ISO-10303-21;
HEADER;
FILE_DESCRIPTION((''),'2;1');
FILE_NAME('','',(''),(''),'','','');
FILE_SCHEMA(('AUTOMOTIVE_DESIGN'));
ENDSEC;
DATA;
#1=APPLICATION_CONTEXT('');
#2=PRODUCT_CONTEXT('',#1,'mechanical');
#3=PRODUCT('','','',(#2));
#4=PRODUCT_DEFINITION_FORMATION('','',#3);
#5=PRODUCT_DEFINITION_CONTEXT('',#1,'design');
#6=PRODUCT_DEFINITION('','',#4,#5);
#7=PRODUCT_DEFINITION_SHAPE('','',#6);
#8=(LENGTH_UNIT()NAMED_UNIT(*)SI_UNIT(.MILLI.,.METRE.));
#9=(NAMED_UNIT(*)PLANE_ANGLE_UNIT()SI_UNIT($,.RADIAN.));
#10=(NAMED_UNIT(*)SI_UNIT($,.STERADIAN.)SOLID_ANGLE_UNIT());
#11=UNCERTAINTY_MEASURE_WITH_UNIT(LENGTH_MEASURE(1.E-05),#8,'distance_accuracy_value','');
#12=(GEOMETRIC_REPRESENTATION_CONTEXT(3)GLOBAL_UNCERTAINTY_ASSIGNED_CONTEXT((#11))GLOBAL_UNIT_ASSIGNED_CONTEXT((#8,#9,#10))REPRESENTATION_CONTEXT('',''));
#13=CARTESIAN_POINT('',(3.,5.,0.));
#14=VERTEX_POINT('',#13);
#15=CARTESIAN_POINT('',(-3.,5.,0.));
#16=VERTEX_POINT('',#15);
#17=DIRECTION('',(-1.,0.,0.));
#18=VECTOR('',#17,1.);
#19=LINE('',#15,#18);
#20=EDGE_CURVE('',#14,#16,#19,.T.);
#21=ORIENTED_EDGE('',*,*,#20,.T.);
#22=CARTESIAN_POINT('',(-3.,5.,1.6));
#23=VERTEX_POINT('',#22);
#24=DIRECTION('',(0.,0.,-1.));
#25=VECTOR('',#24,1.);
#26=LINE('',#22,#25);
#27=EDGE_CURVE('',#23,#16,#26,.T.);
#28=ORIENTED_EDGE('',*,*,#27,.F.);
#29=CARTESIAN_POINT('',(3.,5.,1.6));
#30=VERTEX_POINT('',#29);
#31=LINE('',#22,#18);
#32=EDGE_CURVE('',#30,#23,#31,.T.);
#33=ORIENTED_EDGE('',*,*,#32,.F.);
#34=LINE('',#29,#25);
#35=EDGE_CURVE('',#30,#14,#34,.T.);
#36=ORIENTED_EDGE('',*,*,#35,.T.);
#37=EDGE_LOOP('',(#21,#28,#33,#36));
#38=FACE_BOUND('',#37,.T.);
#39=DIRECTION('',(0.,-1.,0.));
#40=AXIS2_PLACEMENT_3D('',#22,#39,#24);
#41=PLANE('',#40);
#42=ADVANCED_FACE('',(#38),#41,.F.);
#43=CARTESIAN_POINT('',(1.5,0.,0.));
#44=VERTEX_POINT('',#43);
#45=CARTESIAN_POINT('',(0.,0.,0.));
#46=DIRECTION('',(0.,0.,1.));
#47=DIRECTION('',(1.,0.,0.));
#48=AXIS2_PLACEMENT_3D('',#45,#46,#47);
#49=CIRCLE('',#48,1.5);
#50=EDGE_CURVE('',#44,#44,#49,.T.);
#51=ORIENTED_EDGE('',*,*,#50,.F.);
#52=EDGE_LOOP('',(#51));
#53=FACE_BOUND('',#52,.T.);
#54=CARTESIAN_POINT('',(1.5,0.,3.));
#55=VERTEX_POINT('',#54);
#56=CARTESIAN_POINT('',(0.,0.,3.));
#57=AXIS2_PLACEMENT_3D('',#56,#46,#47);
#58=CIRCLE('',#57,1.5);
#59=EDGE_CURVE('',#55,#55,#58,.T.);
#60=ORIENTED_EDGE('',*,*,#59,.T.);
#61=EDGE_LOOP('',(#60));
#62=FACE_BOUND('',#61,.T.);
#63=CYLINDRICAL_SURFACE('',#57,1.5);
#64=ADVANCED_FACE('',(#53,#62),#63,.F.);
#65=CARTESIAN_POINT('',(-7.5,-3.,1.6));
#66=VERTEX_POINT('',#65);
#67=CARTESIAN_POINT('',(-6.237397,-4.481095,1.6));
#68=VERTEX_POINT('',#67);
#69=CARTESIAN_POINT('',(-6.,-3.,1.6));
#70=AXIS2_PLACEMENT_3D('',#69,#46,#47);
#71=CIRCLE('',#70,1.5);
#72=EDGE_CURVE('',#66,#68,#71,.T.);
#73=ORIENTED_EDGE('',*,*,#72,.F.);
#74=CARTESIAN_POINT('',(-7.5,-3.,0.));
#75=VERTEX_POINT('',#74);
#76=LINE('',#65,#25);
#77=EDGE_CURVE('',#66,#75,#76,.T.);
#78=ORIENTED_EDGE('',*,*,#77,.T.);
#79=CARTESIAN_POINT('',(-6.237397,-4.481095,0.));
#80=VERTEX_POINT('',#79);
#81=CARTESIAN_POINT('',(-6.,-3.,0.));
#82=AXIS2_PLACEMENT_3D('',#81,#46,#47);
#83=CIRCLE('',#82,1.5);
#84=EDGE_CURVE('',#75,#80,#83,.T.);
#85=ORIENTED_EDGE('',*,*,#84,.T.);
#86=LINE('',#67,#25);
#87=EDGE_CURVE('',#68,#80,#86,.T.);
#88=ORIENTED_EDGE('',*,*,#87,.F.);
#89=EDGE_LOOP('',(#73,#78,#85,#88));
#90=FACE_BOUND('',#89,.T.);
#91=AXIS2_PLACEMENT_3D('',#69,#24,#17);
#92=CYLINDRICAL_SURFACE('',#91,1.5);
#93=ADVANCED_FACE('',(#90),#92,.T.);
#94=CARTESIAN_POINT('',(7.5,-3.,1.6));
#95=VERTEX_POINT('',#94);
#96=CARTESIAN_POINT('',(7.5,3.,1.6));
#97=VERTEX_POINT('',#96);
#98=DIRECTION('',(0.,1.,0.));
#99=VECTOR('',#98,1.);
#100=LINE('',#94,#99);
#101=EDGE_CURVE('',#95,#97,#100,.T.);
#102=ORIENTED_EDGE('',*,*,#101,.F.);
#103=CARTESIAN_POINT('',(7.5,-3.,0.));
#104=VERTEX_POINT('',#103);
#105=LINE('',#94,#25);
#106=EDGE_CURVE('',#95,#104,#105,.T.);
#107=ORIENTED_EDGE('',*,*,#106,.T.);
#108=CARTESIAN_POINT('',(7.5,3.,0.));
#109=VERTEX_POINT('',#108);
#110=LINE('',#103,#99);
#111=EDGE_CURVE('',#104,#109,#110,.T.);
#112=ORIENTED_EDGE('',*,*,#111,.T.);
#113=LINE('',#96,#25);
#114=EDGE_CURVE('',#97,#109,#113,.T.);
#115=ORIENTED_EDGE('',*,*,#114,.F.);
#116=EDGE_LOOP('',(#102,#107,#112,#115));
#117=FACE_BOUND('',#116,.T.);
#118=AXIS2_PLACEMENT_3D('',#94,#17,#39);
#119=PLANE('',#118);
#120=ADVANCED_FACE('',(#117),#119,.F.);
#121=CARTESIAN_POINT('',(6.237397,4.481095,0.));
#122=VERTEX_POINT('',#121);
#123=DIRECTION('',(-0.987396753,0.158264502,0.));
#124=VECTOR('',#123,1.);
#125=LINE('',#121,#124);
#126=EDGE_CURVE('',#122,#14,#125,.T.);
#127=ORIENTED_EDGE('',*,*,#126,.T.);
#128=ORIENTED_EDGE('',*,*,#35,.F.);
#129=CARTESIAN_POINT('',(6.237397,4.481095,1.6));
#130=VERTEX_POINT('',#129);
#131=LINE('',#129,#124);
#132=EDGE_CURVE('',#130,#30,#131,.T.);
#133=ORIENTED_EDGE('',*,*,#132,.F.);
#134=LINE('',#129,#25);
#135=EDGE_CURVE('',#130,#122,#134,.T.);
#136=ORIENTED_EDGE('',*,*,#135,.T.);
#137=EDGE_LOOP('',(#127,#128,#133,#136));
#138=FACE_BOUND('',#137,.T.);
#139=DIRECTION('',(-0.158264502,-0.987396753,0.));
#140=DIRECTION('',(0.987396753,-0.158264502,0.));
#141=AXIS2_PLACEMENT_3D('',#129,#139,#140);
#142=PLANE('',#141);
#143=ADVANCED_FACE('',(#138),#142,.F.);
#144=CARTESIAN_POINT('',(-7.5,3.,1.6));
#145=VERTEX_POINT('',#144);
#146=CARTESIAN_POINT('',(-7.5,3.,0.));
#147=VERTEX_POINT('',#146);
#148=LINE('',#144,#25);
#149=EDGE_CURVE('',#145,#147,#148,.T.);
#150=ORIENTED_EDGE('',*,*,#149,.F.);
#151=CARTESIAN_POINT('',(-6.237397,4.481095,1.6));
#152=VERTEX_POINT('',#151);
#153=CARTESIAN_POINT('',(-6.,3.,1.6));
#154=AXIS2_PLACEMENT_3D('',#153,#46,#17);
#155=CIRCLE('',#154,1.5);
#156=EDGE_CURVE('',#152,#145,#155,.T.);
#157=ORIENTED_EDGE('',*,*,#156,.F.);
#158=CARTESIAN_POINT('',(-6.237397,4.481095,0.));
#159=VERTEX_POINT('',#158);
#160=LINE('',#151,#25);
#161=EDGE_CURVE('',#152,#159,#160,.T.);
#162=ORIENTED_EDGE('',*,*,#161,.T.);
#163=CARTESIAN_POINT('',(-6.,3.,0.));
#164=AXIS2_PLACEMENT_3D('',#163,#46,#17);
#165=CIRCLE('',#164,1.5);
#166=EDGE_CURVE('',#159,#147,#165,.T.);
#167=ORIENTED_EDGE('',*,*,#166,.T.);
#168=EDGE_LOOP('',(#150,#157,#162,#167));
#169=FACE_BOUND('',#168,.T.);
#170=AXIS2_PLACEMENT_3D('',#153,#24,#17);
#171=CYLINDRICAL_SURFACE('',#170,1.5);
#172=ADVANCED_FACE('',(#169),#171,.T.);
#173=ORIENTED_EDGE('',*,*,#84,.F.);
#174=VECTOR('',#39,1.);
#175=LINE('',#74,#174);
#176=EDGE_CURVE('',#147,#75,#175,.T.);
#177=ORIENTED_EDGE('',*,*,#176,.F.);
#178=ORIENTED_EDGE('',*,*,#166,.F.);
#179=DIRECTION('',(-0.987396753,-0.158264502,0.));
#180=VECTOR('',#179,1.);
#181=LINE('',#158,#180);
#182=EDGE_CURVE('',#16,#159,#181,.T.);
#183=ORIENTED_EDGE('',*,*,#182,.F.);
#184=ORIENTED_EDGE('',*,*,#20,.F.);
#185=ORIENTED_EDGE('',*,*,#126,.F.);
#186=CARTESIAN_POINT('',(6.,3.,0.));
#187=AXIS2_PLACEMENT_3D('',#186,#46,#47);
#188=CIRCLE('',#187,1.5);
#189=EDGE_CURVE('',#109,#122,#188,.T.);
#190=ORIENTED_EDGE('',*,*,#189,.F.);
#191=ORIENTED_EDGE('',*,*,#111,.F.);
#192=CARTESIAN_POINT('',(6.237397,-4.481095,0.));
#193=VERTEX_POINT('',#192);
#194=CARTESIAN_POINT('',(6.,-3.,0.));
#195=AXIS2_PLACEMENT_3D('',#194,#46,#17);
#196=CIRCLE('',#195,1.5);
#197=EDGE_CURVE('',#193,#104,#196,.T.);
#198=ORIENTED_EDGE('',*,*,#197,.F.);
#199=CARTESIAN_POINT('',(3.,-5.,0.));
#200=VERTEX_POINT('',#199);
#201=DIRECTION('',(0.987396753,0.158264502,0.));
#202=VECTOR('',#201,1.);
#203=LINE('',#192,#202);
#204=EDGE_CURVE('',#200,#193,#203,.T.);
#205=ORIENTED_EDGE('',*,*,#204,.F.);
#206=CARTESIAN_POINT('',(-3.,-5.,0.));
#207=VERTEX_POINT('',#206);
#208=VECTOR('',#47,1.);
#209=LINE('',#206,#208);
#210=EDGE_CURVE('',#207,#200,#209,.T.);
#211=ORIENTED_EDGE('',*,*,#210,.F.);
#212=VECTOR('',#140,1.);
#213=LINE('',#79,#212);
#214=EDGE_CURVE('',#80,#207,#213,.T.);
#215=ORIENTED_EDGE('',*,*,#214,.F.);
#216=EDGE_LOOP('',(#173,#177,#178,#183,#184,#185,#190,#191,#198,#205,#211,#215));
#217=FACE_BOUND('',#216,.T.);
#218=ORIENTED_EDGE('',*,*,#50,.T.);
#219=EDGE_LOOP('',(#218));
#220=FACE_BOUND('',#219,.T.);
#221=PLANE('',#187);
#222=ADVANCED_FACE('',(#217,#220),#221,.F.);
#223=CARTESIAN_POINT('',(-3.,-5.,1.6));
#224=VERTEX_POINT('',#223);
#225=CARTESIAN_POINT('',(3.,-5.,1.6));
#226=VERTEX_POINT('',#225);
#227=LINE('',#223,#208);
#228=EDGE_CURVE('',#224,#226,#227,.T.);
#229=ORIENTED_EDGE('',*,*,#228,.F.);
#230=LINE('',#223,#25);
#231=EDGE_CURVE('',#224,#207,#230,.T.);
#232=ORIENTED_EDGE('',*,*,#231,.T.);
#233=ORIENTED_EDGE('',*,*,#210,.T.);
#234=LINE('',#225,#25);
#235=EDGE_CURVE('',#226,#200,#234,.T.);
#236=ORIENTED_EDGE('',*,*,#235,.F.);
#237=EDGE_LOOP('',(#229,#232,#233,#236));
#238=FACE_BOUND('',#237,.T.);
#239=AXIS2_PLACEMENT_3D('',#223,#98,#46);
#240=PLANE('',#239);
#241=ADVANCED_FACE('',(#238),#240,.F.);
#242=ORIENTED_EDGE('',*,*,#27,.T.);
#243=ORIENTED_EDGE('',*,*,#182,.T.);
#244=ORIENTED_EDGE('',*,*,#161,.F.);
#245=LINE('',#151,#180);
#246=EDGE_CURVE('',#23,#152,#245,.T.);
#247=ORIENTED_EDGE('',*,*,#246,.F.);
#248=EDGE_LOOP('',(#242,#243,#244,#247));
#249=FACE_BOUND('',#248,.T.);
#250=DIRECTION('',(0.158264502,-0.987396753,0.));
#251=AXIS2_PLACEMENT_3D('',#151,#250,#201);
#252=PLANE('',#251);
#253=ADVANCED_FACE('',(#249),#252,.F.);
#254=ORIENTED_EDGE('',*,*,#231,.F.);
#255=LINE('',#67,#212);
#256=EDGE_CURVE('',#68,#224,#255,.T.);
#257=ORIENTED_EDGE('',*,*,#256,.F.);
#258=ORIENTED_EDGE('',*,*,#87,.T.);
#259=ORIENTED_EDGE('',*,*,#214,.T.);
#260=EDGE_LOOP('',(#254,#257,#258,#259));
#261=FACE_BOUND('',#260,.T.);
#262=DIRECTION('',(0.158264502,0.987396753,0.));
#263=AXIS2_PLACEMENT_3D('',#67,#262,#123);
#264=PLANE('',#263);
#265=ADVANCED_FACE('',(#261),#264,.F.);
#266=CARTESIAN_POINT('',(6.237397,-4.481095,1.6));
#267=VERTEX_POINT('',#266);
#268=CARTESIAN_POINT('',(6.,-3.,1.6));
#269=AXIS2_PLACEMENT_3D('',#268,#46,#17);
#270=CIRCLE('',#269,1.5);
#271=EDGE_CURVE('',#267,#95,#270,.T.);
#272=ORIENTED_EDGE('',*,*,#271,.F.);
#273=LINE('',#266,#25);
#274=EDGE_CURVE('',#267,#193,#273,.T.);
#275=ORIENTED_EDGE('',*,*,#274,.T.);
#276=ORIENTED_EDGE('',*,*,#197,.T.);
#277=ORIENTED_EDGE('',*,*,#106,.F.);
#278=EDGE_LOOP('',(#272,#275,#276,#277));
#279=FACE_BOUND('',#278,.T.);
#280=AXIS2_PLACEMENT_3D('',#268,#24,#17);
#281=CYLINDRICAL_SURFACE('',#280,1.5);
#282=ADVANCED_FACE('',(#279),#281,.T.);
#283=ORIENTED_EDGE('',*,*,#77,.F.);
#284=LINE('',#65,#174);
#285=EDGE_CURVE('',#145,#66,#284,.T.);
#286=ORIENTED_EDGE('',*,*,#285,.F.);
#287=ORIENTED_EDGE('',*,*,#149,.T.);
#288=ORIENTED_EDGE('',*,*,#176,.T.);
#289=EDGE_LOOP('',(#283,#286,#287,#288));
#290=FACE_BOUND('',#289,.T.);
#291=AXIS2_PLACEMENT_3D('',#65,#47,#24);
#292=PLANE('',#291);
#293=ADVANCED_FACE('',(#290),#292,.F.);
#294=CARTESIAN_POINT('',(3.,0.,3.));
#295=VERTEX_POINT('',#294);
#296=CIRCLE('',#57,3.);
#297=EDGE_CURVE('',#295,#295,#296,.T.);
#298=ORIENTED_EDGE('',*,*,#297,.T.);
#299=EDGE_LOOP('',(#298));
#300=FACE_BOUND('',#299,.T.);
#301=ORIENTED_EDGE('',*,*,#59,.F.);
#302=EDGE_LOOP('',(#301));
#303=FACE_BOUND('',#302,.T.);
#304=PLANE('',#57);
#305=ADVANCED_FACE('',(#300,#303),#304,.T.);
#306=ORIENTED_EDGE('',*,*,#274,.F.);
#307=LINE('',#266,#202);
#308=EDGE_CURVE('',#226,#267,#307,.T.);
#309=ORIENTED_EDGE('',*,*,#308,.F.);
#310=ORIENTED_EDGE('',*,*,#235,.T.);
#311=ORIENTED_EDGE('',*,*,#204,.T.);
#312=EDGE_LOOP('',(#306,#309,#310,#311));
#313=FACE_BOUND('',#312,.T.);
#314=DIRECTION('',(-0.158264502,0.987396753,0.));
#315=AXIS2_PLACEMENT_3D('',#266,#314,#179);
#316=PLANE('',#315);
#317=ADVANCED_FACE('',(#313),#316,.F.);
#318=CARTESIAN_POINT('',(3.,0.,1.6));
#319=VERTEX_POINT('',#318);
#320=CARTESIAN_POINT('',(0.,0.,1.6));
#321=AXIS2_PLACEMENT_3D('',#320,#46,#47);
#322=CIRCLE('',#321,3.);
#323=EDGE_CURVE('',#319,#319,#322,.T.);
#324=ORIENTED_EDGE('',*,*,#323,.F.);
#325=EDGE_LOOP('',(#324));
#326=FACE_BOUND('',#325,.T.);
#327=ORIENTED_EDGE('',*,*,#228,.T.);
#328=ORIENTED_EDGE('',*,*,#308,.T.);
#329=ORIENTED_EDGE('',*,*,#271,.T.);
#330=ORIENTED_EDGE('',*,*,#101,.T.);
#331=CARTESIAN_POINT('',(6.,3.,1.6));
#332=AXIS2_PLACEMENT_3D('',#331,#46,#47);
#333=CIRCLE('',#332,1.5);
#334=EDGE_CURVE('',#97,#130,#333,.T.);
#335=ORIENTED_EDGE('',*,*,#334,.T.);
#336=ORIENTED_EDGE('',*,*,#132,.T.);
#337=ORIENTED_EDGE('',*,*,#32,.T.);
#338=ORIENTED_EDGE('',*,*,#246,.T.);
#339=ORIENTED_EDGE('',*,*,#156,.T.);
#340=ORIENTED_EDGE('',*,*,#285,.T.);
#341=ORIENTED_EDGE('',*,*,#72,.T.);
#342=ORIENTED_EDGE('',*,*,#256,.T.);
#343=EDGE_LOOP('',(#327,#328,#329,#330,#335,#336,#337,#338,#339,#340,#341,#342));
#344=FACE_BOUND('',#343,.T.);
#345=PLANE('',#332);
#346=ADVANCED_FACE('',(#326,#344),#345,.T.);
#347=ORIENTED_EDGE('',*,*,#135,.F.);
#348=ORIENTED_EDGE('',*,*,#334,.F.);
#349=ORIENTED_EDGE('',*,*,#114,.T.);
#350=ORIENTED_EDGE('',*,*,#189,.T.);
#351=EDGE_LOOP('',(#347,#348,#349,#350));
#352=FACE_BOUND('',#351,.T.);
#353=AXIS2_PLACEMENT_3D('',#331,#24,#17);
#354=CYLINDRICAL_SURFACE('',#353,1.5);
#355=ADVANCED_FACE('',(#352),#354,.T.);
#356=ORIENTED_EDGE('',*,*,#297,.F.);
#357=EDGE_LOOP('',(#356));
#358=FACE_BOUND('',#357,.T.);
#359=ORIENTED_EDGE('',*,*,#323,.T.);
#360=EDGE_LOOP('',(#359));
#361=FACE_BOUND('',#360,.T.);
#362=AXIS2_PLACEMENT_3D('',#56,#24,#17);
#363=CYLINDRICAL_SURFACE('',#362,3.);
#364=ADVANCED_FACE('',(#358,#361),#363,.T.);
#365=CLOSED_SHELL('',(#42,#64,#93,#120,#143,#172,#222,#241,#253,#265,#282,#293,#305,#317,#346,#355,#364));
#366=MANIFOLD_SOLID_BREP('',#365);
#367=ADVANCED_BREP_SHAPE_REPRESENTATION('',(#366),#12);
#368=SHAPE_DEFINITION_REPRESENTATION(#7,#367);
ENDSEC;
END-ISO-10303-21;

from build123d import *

# Parameters (mm, degrees)
BOSS_EXTRUDE1_DEPTH   = 1.6
SKETCH2_R             = 3
BOSS_EXTRUDE2_DEPTH   = 1.4
M5X0_8_TAPPED_HOLE1_D = 3


with BuildPart() as part:
    # Sketch1 → Boss-Extrude1 (new body)
    with BuildSketch(Plane.XY):
        with BuildLine():
            Line((-6.237396753, 4.481095129), (-3, 5))
            Line((-3, 5), (3, 5))
            Line((3, 5), (6.237396753, 4.481095129))
            ThreePointArc((6.237396753, 4.481095129), (7.141511088, 3.973114811), (7.5, 3))
            Line((7.5, 3), (7.5, -3))
            ThreePointArc((7.5, -3), (7.141511088, -3.973114811), (6.237396753, -4.481095129))
            Line((6.237396753, -4.481095129), (3, -5))
            Line((3, -5), (-3, -5))
            Line((-3, -5), (-6.237396753, -4.481095129))
            ThreePointArc((-6.237396753, -4.481095129), (-7.141511088, -3.973114811), (-7.5, -3))
            Line((-7.5, -3), (-7.5, 3))
            ThreePointArc((-7.5, 3), (-7.141511088, 3.973114811), (-6.237396753, 4.481095129))
        make_face()
    extrude(amount=BOSS_EXTRUDE1_DEPTH)

    # Sketch2 → Boss-Extrude2 (add)
    with BuildSketch(Plane.XY.offset(1.6)):
        Circle(SKETCH2_R)
    extrude(amount=BOSS_EXTRUDE2_DEPTH)

    # M5x0.8 Tapped Hole1 (through all)
    with Locations(Plane.XY.offset(3)):
        with Locations((0, 0)):
            Hole(M5X0_8_TAPPED_HOLE1_D / 2)


solid = part.part
